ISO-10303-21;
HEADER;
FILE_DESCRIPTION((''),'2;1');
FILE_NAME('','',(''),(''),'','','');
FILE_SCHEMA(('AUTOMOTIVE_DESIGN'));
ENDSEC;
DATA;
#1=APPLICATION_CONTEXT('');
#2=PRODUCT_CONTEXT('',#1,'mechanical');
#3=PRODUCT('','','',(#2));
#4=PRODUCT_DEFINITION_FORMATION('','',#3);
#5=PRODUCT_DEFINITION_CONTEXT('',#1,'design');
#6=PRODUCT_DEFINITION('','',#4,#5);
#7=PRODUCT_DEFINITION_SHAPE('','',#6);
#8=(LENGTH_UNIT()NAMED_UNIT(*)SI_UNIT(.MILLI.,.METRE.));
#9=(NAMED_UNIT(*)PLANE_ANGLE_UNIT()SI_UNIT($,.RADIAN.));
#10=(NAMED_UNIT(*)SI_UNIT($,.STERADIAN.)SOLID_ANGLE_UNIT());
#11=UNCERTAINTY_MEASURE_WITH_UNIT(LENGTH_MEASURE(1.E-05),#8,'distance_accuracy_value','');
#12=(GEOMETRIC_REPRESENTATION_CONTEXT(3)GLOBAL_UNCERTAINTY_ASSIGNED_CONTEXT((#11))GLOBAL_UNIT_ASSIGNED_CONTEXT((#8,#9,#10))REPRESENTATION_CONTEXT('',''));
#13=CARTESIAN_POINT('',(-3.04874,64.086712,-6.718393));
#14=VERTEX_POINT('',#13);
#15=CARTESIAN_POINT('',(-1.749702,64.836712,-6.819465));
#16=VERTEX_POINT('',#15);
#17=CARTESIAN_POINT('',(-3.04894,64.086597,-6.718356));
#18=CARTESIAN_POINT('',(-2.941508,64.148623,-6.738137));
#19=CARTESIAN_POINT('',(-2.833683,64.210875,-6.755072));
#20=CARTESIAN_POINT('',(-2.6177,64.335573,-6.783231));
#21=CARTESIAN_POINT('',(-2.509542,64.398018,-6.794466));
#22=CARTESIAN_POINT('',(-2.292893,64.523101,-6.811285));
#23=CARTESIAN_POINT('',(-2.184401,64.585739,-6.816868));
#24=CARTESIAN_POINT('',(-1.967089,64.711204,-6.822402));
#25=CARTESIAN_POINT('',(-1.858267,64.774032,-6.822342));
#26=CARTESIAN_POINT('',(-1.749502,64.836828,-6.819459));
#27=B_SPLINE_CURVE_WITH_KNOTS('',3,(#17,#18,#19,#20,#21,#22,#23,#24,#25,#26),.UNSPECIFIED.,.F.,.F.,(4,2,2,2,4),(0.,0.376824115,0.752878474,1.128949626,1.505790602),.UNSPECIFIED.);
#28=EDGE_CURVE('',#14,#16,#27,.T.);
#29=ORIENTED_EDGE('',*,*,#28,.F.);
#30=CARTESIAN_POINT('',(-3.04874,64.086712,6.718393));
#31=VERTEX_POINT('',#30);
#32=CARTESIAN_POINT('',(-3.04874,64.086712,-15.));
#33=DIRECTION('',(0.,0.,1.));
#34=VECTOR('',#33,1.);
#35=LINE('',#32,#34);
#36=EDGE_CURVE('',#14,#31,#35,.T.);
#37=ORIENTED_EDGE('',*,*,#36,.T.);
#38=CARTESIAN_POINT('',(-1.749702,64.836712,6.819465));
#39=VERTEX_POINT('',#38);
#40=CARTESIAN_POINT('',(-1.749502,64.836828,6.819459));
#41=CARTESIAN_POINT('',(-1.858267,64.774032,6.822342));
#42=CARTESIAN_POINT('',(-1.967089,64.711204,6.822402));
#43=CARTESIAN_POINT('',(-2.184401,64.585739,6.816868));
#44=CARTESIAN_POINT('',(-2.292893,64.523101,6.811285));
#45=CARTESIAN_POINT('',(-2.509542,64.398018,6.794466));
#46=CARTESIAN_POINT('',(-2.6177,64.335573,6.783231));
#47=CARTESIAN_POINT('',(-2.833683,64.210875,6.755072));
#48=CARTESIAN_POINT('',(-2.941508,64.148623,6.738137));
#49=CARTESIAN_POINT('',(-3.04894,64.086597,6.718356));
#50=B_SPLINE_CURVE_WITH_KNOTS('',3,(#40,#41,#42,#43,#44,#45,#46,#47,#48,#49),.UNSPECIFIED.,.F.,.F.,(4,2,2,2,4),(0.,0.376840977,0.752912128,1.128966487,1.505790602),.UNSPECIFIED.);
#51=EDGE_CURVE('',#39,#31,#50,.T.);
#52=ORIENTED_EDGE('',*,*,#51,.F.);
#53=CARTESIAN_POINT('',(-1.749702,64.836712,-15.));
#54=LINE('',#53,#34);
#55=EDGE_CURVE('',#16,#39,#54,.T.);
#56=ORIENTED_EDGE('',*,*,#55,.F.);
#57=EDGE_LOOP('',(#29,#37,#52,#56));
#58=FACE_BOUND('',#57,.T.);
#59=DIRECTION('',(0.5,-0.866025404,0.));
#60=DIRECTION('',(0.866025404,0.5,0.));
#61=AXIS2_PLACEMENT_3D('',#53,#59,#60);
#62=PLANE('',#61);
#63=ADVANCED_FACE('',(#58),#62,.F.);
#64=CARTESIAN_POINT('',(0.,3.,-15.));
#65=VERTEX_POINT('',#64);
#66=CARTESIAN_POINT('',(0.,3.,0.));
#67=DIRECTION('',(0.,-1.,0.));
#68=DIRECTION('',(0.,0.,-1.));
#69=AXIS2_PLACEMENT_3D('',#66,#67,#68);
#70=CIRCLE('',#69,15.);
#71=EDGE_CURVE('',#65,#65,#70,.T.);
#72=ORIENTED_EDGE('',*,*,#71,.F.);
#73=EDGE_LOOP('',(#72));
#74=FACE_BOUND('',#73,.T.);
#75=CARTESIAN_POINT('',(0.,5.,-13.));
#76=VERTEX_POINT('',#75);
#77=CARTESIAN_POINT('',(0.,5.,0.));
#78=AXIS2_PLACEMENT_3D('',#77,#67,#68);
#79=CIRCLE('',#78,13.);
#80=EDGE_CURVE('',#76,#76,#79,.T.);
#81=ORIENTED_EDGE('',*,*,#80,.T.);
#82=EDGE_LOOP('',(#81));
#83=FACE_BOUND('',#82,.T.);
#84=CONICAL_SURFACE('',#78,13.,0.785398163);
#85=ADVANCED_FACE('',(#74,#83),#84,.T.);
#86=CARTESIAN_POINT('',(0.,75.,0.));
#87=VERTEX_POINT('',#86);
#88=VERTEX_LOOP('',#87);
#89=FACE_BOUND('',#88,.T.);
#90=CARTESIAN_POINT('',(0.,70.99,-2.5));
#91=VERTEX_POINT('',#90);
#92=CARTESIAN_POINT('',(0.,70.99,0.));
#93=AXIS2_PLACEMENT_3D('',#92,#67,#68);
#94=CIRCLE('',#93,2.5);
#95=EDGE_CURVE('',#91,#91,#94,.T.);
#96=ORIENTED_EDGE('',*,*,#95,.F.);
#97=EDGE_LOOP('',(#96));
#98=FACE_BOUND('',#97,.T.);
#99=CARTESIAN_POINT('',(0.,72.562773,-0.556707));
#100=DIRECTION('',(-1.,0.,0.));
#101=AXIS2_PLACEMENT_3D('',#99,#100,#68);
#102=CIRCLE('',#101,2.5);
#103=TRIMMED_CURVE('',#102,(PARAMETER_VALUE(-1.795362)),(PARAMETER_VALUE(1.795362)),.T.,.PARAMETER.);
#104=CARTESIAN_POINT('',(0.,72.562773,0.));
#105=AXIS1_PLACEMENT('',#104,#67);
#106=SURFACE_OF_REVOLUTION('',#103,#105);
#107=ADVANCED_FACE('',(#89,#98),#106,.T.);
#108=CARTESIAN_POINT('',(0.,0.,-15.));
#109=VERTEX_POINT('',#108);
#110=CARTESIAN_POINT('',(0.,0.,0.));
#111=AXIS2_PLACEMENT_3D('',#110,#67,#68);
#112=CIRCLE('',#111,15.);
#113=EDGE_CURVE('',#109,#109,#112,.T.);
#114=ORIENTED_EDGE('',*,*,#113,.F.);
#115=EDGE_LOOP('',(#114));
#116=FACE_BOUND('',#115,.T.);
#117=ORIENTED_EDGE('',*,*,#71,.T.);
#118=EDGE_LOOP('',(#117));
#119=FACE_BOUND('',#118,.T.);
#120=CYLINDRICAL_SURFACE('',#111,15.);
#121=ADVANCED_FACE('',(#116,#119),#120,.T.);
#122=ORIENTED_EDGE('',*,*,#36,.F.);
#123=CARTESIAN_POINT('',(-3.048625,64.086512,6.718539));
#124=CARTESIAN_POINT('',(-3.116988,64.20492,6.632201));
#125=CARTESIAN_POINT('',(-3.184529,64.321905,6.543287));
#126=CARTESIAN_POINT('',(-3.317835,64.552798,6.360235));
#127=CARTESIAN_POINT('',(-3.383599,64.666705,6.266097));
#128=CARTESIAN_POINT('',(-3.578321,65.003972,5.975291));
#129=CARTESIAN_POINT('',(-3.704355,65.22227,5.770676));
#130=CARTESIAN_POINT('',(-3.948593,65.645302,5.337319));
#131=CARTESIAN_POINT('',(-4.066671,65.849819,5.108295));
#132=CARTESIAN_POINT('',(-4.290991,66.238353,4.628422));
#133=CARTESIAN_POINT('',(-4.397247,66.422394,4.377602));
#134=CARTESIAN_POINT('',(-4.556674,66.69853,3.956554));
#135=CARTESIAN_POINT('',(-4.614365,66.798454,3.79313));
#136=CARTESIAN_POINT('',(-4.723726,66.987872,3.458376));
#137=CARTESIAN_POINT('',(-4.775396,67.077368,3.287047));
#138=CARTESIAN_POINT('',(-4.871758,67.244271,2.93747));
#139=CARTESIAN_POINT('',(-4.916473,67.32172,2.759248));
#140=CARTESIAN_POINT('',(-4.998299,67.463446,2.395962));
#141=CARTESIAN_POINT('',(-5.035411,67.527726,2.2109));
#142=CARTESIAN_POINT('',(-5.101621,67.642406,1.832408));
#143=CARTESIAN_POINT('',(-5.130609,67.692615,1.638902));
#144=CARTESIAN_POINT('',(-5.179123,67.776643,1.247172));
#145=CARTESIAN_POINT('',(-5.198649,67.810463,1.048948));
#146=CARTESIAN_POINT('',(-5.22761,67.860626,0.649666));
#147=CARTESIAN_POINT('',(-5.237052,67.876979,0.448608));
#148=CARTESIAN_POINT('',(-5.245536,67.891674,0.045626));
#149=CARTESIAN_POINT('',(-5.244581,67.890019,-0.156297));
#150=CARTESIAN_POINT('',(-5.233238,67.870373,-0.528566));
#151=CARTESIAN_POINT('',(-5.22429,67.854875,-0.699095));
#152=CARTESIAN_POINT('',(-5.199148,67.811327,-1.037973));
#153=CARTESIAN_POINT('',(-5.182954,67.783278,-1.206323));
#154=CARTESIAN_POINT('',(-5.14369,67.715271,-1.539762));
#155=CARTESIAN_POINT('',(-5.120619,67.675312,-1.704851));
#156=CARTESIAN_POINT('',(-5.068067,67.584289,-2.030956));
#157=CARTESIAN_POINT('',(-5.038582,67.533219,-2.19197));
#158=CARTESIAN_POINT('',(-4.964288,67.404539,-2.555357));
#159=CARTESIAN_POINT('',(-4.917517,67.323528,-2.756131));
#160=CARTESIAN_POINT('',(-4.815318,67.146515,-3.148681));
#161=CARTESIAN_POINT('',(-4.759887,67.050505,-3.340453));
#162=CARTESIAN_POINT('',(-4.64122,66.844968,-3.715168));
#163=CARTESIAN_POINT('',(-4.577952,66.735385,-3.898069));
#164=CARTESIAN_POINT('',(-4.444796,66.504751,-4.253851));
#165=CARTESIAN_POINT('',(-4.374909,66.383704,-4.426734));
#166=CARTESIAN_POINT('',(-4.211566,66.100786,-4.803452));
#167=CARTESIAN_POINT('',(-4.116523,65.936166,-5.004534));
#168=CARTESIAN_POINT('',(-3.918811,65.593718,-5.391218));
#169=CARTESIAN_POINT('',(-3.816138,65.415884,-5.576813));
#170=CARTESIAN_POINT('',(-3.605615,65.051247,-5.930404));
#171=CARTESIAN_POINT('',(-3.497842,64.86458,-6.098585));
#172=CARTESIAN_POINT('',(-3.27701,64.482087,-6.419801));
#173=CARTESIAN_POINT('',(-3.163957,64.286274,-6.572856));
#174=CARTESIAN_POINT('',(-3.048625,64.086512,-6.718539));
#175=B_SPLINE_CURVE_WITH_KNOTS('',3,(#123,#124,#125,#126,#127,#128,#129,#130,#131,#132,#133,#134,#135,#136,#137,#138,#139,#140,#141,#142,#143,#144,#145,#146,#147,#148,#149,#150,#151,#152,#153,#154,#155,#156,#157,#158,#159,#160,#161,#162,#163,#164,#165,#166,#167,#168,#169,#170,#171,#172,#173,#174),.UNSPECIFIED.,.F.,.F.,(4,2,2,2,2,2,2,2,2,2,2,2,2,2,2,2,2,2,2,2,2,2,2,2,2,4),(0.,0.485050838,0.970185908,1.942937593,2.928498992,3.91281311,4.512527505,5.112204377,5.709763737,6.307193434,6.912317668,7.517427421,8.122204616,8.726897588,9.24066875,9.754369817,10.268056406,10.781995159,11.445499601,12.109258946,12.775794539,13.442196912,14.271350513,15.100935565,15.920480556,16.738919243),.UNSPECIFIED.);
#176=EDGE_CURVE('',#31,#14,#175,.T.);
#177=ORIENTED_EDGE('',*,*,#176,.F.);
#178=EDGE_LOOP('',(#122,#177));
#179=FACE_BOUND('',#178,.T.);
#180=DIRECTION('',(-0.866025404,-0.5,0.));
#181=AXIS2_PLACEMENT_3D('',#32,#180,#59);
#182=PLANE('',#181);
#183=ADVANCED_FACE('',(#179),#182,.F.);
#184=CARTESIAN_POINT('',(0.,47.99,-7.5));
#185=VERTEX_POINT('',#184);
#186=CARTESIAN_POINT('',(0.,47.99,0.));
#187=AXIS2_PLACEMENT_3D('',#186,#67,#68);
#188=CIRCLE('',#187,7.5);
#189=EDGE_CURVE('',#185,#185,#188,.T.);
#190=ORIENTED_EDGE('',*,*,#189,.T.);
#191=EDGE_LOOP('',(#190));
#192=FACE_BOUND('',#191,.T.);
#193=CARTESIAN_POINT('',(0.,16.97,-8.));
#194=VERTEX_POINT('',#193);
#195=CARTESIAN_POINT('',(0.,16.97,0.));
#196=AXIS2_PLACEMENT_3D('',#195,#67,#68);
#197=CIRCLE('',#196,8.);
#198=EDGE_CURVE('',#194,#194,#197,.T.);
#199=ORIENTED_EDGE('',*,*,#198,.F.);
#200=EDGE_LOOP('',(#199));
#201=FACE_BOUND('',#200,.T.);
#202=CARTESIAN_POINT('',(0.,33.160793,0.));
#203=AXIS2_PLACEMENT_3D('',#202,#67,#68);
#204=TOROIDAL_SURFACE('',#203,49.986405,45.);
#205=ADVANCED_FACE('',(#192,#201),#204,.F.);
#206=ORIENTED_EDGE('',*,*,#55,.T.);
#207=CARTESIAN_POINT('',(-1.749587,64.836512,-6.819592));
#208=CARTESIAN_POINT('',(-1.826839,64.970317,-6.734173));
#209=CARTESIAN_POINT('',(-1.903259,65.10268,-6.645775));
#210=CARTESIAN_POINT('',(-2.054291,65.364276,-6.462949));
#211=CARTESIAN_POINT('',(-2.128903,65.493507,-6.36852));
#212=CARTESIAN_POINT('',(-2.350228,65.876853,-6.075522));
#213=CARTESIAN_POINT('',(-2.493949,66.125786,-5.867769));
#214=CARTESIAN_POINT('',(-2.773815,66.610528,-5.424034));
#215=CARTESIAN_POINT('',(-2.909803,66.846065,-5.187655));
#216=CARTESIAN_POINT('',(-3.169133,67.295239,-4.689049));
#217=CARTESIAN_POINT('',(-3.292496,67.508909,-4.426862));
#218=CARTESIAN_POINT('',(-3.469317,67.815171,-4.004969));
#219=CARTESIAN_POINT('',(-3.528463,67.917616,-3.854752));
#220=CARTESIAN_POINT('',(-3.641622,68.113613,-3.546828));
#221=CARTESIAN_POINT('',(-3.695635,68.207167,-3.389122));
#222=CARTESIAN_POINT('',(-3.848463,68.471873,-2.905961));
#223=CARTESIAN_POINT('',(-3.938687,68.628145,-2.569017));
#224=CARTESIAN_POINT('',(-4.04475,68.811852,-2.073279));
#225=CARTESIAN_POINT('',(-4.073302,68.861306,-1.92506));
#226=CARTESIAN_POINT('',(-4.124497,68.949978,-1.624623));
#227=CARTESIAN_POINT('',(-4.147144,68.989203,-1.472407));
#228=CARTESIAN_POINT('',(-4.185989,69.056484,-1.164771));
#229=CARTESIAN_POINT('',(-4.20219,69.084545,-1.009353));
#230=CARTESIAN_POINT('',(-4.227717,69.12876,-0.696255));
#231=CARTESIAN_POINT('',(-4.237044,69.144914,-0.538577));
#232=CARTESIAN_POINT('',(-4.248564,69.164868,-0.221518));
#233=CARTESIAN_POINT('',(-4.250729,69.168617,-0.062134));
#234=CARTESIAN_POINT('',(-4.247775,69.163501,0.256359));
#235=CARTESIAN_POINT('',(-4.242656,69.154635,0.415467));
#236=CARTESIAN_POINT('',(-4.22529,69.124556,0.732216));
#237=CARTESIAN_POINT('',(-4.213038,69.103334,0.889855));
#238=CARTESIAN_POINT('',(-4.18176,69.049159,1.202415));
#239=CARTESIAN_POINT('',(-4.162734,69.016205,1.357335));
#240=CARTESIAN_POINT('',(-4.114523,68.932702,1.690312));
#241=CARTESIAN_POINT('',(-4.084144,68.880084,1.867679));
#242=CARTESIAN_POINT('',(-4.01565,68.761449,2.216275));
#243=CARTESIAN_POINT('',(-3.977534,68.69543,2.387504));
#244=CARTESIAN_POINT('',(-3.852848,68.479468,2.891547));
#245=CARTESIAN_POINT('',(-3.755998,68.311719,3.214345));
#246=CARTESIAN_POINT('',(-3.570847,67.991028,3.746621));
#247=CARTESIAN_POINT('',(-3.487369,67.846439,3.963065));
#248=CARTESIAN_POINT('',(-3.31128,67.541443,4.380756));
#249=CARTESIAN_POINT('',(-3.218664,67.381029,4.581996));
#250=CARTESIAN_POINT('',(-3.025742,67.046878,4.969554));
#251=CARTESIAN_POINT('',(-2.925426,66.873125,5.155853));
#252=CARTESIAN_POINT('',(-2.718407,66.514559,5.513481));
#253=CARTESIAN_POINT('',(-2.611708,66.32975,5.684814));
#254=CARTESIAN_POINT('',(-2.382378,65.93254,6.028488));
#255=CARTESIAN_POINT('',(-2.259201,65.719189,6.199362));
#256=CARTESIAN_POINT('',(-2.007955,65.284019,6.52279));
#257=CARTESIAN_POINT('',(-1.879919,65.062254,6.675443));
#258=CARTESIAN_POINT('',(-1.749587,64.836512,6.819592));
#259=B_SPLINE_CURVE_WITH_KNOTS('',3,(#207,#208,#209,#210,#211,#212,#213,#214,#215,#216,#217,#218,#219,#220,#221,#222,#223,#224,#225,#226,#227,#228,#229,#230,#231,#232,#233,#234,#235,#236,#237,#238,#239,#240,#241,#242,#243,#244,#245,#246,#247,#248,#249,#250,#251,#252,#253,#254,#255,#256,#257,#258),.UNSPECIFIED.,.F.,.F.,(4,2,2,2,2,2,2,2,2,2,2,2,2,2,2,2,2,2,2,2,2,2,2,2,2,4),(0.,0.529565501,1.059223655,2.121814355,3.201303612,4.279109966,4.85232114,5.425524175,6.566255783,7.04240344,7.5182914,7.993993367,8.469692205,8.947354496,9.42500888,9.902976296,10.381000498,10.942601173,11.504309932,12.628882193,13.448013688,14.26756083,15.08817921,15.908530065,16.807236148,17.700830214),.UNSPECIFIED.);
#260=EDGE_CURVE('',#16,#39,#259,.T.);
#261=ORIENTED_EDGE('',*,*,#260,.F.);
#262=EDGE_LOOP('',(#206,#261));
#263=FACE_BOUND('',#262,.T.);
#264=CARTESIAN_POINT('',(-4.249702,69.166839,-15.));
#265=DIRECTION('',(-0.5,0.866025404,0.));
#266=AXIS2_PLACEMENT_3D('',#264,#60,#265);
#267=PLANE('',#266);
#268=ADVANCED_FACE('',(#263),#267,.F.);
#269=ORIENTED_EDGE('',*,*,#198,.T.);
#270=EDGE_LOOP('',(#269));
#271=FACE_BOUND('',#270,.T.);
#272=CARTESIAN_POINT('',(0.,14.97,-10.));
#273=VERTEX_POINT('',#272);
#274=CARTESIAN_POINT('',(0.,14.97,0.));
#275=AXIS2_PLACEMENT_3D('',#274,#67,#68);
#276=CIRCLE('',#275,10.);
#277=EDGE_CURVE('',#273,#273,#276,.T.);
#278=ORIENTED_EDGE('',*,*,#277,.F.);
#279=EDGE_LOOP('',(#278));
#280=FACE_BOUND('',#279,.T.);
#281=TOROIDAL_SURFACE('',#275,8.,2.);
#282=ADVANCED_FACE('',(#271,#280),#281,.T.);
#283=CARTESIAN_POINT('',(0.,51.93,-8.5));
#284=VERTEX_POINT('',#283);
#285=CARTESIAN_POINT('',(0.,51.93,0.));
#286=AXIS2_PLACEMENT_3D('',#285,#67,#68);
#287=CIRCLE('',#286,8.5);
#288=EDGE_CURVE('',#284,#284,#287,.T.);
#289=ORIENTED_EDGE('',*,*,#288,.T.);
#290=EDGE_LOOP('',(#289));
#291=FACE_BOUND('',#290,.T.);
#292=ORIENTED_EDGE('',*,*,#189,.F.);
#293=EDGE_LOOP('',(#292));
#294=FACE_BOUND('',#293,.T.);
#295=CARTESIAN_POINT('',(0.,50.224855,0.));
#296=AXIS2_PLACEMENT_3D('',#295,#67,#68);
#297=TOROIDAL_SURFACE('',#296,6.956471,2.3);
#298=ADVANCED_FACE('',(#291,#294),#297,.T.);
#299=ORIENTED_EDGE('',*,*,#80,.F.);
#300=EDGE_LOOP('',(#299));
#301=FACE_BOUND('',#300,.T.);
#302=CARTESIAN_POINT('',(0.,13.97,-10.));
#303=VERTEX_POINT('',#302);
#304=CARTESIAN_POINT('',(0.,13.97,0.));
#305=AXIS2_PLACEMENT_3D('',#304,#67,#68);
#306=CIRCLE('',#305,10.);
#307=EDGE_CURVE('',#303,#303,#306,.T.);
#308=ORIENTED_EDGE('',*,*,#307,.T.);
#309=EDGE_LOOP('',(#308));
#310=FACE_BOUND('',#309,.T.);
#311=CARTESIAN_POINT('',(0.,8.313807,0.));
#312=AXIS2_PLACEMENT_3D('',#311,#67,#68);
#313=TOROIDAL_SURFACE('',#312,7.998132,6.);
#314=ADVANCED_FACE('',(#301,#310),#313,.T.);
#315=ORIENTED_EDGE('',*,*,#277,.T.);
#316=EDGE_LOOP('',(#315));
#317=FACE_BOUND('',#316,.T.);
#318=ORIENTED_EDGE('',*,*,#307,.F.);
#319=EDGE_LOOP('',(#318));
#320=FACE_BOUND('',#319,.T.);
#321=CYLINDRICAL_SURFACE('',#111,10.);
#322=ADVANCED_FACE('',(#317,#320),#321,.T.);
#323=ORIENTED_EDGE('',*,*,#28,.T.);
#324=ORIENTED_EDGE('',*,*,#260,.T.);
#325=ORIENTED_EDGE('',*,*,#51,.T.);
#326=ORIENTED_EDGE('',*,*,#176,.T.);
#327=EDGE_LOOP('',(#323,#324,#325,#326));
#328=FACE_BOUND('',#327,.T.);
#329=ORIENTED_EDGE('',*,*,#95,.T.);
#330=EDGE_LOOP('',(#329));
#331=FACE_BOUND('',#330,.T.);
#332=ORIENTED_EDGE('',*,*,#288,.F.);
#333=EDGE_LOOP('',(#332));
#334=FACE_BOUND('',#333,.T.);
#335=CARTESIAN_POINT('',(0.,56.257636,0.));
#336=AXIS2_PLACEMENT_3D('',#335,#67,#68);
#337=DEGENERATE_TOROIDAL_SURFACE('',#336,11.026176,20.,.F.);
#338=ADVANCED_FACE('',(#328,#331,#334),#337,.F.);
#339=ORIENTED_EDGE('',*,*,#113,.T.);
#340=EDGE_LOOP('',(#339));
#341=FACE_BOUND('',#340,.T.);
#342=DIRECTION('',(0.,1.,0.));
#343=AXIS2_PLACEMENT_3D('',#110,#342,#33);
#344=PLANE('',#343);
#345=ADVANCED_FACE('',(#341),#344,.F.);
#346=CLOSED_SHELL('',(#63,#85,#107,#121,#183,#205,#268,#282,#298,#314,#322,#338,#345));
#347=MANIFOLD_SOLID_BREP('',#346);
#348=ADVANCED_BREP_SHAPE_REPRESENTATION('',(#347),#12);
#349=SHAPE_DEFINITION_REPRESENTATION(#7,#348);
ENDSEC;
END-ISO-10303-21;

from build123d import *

# Parameters (mm, degrees)
CUT_EXTRUDE1_DEPTH      = 16
CUT_EXTRUDE1_DEPTH_BACK = 16


with BuildPart() as part:
    # Sketch1 → Revolve1 (revolve)
    with BuildSketch(Plane.XY):
        with BuildLine():
            Line((0, 0), (-15, 0))
            Line((-15, 0), (-15, 3))
            Line((-15, 3), (-13, 5))
            ThreePointArc((-13, 5), (-13.688325627, 10.216881481), (-10, 13.97))
            Line((-10, 13.97), (-10, 14.97))
            ThreePointArc((-10, 14.97), (-9.414213562, 16.384213562), (-8, 16.97))
            ThreePointArc((-8, 16.97), (-4.992249752, 32.435548835), (-7.5, 47.99))
            ThreePointArc((-7.5, 47.99), (-9.185787897, 49.659038605), (-8.5, 51.93))
            ThreePointArc((-8.5, 51.93), (-8.050914733, 62.26301618), (-2.5, 70.99))
            ThreePointArc((-2.5, 70.99), (-2.678187953, 73.885391492), (0, 75))
            Line((0, 75), (0, 70.99))
            Line((0, 70.99), (0, 51.93))
            Line((0, 51.93), (0, 47.99))
            Line((0, 47.99), (0, 16.97))
            Line((0, 16.97), (0, 14.97))
            Line((0, 14.97), (0, 13.97))
            Line((0, 13.97), (0, 5))
            Line((0, 5), (0, 3))
            Line((0, 3), (0, 0))
        make_face()
    revolve(axis=Axis((0, 0, 0), (0, 1, 0)))

    # Sketch2 → Cut-Extrude1 (cut, two sides)
    with BuildSketch(Plane.XY) as cut_extrude1_sk:
        Polygon((-4.249702272, 69.166839221), (-1.749702272, 64.836712202), (-3.048740377, 64.086712202), (-5.243895878, 67.888833061), (-5.823762224, 68.893191032), (-4.631125277, 69.887003162), align=None)
    extrude(amount=CUT_EXTRUDE1_DEPTH, mode=Mode.SUBTRACT)
    extrude(cut_extrude1_sk.sketch, amount=-CUT_EXTRUDE1_DEPTH_BACK, mode=Mode.SUBTRACT)


solid = part.part
